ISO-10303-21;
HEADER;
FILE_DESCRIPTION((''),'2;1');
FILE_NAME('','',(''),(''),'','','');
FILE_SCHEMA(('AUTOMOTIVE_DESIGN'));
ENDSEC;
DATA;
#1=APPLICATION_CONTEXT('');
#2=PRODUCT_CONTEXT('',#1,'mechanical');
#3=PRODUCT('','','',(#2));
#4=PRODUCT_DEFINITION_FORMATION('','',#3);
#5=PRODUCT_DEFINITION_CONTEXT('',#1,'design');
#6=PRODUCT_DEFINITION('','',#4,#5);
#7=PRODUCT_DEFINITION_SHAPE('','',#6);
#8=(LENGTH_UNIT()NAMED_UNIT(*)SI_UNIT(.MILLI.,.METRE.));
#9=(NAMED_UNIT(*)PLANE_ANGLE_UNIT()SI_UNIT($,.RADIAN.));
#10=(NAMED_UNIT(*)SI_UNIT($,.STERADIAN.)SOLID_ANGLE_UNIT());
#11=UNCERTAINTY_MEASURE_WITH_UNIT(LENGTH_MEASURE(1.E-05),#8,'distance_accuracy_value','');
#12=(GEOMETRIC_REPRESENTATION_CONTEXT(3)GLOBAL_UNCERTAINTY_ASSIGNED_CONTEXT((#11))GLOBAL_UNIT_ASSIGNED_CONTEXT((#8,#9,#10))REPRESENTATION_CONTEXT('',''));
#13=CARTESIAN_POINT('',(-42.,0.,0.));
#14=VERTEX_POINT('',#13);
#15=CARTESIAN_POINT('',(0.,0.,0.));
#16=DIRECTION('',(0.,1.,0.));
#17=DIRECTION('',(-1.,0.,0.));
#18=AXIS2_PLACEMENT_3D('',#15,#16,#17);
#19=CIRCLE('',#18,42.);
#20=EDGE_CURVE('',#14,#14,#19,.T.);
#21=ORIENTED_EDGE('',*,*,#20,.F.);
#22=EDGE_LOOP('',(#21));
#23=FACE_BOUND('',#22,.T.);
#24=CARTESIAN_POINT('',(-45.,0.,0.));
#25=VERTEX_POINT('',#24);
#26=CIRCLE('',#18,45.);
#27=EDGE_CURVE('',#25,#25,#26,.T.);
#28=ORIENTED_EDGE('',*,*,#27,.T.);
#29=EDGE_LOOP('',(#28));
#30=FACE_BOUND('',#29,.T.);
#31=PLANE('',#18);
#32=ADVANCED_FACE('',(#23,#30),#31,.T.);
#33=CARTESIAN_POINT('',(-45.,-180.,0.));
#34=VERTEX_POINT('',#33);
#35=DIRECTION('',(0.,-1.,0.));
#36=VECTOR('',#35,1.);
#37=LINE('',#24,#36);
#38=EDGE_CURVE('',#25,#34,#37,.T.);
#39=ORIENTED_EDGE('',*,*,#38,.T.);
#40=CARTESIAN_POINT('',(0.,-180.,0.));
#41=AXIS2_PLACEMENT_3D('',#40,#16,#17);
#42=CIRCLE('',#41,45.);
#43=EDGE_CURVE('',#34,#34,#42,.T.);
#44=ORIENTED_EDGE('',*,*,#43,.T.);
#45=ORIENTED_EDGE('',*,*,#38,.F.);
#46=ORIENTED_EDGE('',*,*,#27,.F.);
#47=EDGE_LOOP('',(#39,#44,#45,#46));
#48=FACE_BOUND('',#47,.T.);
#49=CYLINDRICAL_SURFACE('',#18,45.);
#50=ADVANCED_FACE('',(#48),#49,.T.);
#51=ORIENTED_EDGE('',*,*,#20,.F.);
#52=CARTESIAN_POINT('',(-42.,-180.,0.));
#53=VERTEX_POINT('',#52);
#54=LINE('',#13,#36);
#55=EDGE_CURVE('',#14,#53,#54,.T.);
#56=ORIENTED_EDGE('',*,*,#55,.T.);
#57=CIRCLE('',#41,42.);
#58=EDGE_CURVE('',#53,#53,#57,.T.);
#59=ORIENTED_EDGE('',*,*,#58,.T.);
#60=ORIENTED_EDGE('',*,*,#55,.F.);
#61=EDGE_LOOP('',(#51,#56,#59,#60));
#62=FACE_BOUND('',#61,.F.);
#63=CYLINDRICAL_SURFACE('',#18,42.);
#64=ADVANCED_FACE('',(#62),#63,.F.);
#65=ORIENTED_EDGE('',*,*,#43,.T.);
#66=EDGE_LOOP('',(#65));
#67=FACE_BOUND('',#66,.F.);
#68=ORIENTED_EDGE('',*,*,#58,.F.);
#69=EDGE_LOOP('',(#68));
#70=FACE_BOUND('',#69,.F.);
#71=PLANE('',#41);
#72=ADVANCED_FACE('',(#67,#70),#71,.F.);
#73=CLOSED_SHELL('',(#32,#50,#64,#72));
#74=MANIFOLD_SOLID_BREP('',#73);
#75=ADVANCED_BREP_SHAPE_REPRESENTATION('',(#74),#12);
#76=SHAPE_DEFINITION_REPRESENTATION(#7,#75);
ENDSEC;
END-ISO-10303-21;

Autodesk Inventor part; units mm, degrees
ref_plane "YZ Plane" through (0, 0, 0) normal (1, 0, 0) x (0, 1, 0)
ref_plane "XZ Plane" through (0, 0, 0) normal (0, 1, 0) x (-1, 0, 0)
ref_plane "XY Plane" through (0, 0, 0) normal (0, 0, 1) x (1, 0, 0)
sketch "Sketch1" plane through (0, 0, 0) normal (0, 1, 0) x (-1, 0, 0)
  circle A0 centre (0, 0) radius 45
  circle A1 centre (0, 0) radius 42
  dimension "d0" = 90
  dimension "d1" = 3
extrude "Extrusion1" add sketch "Sketch1" against normal blind 180
properties part number "PNS- 652 tube"
